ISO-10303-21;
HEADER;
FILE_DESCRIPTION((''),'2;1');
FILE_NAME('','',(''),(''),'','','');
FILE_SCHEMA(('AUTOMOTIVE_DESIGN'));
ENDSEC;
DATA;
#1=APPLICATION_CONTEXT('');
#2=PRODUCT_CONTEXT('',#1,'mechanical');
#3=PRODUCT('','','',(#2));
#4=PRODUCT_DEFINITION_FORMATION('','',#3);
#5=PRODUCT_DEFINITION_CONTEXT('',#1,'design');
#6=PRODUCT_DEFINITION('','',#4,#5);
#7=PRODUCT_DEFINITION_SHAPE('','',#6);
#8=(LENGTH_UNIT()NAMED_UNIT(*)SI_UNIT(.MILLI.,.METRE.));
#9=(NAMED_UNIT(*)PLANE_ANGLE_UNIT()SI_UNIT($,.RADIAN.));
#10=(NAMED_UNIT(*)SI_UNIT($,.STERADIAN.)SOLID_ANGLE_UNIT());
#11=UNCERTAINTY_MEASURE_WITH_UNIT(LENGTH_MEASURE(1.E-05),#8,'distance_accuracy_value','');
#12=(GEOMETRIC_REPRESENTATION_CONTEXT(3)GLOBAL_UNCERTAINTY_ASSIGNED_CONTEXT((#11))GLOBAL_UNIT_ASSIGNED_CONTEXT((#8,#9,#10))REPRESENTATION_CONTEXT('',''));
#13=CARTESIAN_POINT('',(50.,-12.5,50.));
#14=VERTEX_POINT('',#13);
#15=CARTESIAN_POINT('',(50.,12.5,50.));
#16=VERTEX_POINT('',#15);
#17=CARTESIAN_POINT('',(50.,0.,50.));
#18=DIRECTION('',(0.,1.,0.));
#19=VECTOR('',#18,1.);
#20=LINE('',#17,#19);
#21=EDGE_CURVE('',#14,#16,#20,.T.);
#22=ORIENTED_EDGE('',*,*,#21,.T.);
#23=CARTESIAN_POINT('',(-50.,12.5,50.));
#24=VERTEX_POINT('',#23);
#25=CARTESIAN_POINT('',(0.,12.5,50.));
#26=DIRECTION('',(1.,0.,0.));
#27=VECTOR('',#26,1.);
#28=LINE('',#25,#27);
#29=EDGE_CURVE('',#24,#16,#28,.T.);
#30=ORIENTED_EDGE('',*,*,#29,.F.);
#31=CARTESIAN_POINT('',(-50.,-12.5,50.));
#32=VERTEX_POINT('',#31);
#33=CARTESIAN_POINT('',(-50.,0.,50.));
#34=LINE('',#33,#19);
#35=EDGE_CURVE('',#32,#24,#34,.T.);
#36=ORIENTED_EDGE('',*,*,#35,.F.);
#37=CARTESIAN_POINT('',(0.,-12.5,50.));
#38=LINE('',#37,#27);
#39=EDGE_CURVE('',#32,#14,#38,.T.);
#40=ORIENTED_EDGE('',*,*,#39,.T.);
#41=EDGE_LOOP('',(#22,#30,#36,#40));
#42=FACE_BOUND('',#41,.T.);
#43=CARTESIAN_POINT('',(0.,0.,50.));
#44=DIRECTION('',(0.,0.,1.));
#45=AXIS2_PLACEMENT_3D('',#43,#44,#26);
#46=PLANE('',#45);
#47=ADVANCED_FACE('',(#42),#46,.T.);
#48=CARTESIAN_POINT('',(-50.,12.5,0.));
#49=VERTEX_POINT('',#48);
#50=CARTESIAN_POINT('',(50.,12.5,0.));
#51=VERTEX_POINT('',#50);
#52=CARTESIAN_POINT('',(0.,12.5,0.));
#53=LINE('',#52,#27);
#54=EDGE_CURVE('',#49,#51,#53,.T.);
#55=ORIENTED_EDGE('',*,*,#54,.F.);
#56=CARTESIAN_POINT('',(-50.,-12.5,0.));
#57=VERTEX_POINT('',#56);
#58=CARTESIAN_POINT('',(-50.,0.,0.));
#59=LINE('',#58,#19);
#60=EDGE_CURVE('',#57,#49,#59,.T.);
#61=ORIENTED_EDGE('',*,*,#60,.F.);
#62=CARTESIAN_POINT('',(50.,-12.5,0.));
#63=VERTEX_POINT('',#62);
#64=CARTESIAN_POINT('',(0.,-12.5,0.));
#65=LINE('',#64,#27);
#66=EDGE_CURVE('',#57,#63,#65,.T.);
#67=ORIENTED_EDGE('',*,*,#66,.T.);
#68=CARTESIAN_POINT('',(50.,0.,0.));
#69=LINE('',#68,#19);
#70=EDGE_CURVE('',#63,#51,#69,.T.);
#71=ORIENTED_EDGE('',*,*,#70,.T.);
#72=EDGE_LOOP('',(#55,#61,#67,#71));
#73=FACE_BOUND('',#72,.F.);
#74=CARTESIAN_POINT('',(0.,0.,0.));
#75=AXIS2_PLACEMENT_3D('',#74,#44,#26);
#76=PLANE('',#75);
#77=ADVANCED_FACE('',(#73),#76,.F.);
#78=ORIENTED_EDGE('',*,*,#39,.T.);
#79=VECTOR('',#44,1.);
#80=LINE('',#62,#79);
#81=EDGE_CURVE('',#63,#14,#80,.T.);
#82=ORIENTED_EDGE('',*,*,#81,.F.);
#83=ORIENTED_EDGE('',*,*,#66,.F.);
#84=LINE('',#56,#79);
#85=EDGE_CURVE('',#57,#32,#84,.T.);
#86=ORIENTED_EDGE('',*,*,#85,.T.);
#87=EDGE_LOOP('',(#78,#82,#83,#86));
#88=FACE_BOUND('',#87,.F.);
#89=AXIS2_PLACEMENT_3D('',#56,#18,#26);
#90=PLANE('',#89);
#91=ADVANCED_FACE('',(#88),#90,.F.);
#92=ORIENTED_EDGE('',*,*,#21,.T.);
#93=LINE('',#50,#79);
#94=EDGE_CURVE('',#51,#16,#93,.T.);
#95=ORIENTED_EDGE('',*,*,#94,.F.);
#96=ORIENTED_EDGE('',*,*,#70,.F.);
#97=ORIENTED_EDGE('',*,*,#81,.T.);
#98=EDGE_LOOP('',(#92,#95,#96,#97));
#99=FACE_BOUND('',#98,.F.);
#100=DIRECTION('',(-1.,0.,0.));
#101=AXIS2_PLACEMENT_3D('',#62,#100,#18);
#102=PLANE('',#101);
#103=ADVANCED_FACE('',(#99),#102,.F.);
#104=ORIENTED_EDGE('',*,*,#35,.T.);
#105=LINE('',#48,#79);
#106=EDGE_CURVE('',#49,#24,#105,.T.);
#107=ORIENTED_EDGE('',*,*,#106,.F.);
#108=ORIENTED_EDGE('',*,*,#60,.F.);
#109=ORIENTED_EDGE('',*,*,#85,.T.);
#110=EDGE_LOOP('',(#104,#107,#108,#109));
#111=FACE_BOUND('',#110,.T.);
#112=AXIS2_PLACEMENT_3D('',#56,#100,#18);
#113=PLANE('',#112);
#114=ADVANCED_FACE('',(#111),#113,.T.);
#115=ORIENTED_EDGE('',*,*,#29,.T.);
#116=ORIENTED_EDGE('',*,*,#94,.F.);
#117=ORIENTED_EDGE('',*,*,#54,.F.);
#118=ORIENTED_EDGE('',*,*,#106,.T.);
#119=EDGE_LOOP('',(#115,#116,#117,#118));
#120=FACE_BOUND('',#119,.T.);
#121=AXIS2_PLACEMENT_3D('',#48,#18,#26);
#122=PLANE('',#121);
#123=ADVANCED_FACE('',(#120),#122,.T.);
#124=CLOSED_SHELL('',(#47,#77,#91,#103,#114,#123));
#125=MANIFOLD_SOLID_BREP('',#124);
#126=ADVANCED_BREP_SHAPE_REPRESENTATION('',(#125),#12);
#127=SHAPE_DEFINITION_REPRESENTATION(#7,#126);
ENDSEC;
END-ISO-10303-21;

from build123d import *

# Parameters (mm, degrees)
SKETCH_W      = 100
SKETCH_H      = 25
EXTRUDE_DEPTH = 50


with BuildPart() as part:
    # Sketch → Extrude (new body)
    with BuildSketch(Plane.XY):
        Rectangle(SKETCH_W, SKETCH_H)
    extrude(amount=EXTRUDE_DEPTH)


solid = part.part
